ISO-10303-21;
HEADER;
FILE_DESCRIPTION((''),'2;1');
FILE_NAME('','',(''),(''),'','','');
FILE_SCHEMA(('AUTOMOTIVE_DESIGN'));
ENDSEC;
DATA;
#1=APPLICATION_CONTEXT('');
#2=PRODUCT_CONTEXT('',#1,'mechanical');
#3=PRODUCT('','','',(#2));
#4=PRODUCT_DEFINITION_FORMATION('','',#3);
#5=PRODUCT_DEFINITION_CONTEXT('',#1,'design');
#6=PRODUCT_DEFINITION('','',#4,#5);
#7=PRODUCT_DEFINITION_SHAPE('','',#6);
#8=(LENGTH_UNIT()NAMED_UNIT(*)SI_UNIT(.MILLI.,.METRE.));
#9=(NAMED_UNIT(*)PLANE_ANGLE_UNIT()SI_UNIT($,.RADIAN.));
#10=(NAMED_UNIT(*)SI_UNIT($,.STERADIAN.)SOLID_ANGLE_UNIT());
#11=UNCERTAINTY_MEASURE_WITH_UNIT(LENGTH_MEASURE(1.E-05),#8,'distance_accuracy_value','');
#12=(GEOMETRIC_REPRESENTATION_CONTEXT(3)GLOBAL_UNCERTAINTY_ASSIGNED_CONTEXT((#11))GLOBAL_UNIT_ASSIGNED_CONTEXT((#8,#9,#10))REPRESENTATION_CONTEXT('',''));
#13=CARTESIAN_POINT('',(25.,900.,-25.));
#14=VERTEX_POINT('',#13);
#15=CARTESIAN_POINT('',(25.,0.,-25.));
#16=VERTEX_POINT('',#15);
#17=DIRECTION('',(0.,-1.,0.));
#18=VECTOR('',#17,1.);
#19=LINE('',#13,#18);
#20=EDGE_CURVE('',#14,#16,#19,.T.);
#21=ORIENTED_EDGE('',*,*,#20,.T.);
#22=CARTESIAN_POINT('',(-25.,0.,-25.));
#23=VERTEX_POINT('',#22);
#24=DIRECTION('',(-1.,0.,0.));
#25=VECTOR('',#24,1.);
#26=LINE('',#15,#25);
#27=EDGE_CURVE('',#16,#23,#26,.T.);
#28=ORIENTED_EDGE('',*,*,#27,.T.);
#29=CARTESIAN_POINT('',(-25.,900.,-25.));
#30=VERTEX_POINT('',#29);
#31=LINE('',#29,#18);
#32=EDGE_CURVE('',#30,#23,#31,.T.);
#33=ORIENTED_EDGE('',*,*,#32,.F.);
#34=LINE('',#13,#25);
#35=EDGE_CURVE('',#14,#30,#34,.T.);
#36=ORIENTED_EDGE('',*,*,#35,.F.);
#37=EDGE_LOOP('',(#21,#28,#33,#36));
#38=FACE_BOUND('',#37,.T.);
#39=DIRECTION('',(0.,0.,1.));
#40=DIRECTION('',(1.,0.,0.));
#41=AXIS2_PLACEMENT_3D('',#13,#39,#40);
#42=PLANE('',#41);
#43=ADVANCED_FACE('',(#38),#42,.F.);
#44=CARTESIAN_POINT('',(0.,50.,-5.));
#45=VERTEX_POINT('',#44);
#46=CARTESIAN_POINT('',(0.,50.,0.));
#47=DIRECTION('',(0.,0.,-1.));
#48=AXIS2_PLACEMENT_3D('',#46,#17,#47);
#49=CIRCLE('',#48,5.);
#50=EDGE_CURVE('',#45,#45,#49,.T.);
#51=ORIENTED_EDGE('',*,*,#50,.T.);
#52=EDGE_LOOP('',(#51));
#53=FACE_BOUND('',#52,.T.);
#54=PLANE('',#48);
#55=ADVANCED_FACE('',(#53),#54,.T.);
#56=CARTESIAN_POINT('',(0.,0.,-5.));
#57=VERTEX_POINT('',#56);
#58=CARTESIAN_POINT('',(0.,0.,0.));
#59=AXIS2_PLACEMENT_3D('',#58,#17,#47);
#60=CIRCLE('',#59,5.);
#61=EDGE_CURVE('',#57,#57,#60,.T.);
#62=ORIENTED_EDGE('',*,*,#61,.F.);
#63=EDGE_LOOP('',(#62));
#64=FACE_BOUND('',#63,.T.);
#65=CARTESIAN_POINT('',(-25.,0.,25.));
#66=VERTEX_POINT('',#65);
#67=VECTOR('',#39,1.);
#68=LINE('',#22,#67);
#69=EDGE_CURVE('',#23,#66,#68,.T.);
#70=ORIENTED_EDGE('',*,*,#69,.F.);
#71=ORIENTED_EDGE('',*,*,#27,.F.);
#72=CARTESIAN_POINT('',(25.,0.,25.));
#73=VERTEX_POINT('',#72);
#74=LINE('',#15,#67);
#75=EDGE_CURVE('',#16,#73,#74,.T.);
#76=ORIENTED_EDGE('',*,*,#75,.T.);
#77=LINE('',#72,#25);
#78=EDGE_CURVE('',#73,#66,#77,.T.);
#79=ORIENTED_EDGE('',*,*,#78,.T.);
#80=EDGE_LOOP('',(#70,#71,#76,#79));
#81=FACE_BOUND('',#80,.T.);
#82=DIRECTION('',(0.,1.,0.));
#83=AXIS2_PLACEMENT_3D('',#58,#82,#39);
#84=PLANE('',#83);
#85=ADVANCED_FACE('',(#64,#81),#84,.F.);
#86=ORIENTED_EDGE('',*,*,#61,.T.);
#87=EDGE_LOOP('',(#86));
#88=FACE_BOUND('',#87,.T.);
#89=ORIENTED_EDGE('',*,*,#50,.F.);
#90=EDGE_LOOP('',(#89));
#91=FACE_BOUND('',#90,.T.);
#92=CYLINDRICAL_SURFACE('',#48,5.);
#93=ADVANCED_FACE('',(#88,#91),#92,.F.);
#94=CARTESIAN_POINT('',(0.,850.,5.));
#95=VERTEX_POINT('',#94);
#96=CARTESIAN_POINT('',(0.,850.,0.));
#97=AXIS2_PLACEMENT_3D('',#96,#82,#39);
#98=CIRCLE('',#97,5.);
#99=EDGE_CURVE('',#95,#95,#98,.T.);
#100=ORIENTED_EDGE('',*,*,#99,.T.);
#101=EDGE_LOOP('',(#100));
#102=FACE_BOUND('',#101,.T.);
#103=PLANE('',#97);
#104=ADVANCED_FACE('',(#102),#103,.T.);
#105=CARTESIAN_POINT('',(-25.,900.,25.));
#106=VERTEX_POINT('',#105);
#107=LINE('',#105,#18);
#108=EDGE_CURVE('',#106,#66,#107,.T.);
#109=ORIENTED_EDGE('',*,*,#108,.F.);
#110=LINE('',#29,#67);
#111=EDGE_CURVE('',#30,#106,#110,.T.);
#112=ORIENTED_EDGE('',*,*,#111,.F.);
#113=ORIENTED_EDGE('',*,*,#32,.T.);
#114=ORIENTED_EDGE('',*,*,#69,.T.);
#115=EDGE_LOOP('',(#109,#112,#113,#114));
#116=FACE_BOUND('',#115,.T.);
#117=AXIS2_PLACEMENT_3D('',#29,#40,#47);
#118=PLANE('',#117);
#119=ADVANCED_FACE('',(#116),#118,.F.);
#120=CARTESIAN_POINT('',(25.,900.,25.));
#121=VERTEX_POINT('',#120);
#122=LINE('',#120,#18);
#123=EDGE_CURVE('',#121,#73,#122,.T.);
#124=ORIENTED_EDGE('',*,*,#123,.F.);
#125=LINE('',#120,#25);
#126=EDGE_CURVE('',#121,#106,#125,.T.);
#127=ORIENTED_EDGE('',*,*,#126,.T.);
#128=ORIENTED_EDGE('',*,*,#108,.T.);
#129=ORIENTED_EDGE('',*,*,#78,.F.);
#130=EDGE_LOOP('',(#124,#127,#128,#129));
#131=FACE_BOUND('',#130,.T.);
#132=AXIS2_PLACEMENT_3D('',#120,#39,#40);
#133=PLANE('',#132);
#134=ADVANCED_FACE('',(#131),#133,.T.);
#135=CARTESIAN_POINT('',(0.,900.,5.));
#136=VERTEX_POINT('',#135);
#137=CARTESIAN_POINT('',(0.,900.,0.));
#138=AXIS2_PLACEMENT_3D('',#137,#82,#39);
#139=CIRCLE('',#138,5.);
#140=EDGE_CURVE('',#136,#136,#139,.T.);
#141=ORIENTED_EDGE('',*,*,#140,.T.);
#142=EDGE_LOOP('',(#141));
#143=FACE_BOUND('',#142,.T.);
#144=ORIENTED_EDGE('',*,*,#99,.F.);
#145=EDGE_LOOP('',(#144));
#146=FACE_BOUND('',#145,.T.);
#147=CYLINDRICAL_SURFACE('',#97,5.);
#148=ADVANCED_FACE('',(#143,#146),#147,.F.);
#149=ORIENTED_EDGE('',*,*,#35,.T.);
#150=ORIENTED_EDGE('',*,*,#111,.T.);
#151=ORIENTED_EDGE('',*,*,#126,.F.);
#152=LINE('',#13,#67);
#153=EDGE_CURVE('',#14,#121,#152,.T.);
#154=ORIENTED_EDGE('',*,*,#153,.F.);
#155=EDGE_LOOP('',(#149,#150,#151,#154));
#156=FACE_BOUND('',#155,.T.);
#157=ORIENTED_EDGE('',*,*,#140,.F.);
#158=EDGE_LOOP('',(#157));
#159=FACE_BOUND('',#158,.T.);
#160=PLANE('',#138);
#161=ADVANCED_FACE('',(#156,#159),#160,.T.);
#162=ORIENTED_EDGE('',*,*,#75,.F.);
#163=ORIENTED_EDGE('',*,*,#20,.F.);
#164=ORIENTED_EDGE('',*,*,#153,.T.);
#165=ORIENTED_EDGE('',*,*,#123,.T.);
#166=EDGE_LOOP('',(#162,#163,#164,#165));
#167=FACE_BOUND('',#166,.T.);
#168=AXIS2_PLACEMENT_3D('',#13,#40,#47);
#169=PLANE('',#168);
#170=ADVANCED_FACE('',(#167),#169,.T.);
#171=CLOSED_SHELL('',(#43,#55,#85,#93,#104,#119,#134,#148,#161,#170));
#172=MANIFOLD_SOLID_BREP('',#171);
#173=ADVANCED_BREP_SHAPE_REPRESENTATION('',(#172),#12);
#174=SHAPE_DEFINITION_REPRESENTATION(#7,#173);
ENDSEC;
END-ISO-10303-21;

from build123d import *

# Parameters (mm, degrees)
SKETCH_1_W          = 50
SKETCH_1_H          = 50
EXTRUDE_2_DEPTH     = 900
SKETCH_4_R          = 5
CUT_EXTRUDE_2_DEPTH = 50
CUT_EXTRUDE_START   = -50
SKETCH_5_R          = 5
CUT_EXTRUDE_3_DEPTH = 50


with BuildPart() as part:
    # Эскиз1 → Бобышка-Вытянуть2 (new body)
    with BuildSketch(Plane(origin=(0, 0, 0), x_dir=(1, 0, 0), z_dir=(0, 1, 0))):
        Rectangle(SKETCH_1_W, SKETCH_1_H)
    extrude(amount=EXTRUDE_2_DEPTH)

    # Эскиз4 → Вырез-Вытянуть2 (cut)
    with BuildSketch(Plane(origin=(0, 900, 0), x_dir=(1, 0, 0), z_dir=(0, 1, 0))):
        with Locations(Location((0, 0, 0), (0, 0, 270))):
            Circle(SKETCH_4_R)
    extrude(amount=-CUT_EXTRUDE_2_DEPTH, mode=Mode.SUBTRACT)

    # Эскиз5 → Вырез-Вытянуть3 (cut)
    with BuildSketch(Plane.XZ.offset(CUT_EXTRUDE_START)):
        with Locations(Location((0, 0, 0), (0, 0, 90))):
            Circle(SKETCH_5_R)
    extrude(amount=CUT_EXTRUDE_3_DEPTH, mode=Mode.SUBTRACT)


solid = part.part
